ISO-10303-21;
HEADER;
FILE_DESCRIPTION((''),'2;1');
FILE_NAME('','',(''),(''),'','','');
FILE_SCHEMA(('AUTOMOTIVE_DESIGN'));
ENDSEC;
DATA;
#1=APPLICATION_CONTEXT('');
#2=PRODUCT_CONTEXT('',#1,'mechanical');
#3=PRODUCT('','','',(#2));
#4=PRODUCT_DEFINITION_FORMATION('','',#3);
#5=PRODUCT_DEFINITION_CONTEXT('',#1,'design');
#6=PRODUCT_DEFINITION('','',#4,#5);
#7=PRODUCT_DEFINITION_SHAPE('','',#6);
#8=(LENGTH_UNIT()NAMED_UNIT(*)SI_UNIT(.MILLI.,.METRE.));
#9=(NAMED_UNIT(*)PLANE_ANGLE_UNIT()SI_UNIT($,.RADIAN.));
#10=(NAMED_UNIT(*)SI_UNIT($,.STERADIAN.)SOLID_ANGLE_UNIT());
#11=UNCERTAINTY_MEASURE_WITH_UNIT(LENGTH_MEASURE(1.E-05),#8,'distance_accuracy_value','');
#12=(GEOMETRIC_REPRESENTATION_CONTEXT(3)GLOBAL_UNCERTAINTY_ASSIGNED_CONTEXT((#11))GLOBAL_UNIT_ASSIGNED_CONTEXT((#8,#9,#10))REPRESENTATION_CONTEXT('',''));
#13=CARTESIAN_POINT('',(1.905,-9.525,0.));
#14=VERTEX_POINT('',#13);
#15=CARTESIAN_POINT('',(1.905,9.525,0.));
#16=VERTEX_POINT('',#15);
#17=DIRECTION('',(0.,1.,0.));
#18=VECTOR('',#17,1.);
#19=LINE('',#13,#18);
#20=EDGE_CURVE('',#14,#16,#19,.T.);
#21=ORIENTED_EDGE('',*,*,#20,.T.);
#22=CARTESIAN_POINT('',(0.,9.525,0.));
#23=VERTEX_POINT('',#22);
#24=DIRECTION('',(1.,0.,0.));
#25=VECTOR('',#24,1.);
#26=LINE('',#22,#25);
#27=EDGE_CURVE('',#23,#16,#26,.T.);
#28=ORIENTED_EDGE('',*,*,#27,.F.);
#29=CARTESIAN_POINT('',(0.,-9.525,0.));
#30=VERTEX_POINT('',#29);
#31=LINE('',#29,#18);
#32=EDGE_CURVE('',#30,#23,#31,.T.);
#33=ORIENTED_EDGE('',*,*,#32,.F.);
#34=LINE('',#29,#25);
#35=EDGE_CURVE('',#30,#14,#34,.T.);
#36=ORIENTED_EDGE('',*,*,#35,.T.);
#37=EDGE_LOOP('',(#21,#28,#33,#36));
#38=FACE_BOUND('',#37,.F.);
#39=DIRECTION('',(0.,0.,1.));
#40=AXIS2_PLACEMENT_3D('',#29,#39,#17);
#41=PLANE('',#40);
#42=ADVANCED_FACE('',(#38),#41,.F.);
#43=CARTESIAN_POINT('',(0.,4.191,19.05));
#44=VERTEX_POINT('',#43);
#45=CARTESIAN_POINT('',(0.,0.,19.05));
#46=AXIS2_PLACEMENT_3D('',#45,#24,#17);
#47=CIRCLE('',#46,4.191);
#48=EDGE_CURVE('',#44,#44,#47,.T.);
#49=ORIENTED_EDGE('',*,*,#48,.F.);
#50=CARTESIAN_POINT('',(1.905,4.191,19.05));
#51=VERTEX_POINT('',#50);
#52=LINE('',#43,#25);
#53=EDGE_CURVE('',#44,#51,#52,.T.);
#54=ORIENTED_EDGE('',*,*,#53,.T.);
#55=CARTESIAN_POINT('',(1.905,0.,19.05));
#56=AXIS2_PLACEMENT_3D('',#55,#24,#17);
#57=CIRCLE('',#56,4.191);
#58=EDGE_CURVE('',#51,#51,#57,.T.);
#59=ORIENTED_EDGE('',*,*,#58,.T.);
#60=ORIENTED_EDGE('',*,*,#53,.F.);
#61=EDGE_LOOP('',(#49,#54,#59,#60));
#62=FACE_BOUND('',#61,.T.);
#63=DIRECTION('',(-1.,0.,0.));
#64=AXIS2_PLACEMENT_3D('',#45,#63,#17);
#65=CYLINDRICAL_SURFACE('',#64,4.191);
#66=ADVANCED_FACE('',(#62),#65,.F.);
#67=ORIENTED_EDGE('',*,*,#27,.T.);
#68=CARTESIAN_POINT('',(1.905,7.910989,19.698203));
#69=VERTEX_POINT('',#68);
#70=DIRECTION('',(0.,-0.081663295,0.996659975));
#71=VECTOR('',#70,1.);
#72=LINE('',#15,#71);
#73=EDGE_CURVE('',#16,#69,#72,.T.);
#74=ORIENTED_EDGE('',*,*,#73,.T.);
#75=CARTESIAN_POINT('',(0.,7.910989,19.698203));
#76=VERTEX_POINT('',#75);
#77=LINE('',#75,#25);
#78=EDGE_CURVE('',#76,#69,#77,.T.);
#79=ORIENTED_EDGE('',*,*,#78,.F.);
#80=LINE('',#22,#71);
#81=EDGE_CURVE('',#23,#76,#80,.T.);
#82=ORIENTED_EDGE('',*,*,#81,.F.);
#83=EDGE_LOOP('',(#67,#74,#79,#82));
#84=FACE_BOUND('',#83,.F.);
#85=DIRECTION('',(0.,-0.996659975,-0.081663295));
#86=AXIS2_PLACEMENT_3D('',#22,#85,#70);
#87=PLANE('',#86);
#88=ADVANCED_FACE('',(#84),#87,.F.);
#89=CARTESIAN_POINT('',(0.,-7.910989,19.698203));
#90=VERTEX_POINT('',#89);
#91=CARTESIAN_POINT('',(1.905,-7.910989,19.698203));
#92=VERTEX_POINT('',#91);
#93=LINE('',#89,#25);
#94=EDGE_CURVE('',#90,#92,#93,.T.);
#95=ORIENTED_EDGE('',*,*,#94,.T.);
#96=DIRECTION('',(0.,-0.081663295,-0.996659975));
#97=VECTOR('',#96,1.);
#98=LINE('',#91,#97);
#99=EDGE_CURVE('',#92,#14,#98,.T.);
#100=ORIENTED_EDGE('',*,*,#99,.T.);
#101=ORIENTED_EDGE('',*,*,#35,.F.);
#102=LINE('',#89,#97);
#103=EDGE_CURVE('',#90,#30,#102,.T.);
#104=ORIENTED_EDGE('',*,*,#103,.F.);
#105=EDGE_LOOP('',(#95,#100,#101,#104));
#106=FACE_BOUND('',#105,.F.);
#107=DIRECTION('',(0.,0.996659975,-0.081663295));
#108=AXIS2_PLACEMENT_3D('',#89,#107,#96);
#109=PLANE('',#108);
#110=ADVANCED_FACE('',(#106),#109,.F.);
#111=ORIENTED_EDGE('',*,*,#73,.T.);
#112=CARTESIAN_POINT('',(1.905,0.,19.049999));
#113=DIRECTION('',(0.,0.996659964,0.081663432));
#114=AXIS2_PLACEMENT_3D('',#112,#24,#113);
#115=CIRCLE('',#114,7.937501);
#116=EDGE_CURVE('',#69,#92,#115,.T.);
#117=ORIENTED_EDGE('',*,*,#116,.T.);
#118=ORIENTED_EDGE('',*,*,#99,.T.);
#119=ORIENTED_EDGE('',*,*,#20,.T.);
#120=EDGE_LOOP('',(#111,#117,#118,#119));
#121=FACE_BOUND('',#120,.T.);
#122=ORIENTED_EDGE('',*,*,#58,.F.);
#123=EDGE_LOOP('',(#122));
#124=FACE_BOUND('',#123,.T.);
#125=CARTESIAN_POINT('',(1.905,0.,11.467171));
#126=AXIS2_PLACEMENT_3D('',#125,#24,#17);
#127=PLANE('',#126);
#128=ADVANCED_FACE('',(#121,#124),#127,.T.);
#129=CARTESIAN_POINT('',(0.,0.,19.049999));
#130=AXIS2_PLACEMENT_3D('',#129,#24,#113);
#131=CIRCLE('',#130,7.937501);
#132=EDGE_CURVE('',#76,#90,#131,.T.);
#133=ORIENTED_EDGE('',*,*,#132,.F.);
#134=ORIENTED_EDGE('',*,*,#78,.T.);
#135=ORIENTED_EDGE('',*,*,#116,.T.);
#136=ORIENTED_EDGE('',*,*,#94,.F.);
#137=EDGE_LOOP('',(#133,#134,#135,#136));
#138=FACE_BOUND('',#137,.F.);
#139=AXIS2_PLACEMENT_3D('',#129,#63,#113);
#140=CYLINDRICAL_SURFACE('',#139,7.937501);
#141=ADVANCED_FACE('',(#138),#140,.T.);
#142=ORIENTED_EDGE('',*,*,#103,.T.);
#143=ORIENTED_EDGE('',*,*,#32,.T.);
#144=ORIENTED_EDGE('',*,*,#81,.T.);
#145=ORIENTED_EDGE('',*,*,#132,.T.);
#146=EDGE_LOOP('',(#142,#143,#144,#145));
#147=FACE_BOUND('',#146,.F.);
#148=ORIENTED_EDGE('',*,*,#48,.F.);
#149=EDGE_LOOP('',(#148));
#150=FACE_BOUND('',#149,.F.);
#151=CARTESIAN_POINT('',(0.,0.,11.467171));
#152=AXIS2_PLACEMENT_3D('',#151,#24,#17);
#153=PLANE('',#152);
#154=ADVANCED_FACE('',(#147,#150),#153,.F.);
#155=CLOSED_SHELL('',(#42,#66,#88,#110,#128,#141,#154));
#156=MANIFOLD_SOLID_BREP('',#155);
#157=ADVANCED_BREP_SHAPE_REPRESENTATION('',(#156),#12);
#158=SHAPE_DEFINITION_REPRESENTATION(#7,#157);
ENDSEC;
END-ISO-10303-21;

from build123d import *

# Parameters (mm, degrees)
F0_R     = 4.191
F1_DEPTH = 1.905


with BuildPart() as f1:
    # F0 (on Right) → F1 (new body)
    with BuildSketch(Plane.YZ):
        with BuildLine():
            Line((9.525, 0), (7.910989, 19.698203))
            ThreePointArc((7.910989, 19.698203), (0, 26.9875), (-7.910989, 19.698203))
            Line((-7.910989, 19.698203), (-9.525, 0))
            Line((-9.525, 0), (9.525, 0))
        make_face()
        with Locations((0, 19.05)):
            Circle(F0_R, mode=Mode.SUBTRACT)
    extrude(amount=F1_DEPTH)


solid = f1.part
